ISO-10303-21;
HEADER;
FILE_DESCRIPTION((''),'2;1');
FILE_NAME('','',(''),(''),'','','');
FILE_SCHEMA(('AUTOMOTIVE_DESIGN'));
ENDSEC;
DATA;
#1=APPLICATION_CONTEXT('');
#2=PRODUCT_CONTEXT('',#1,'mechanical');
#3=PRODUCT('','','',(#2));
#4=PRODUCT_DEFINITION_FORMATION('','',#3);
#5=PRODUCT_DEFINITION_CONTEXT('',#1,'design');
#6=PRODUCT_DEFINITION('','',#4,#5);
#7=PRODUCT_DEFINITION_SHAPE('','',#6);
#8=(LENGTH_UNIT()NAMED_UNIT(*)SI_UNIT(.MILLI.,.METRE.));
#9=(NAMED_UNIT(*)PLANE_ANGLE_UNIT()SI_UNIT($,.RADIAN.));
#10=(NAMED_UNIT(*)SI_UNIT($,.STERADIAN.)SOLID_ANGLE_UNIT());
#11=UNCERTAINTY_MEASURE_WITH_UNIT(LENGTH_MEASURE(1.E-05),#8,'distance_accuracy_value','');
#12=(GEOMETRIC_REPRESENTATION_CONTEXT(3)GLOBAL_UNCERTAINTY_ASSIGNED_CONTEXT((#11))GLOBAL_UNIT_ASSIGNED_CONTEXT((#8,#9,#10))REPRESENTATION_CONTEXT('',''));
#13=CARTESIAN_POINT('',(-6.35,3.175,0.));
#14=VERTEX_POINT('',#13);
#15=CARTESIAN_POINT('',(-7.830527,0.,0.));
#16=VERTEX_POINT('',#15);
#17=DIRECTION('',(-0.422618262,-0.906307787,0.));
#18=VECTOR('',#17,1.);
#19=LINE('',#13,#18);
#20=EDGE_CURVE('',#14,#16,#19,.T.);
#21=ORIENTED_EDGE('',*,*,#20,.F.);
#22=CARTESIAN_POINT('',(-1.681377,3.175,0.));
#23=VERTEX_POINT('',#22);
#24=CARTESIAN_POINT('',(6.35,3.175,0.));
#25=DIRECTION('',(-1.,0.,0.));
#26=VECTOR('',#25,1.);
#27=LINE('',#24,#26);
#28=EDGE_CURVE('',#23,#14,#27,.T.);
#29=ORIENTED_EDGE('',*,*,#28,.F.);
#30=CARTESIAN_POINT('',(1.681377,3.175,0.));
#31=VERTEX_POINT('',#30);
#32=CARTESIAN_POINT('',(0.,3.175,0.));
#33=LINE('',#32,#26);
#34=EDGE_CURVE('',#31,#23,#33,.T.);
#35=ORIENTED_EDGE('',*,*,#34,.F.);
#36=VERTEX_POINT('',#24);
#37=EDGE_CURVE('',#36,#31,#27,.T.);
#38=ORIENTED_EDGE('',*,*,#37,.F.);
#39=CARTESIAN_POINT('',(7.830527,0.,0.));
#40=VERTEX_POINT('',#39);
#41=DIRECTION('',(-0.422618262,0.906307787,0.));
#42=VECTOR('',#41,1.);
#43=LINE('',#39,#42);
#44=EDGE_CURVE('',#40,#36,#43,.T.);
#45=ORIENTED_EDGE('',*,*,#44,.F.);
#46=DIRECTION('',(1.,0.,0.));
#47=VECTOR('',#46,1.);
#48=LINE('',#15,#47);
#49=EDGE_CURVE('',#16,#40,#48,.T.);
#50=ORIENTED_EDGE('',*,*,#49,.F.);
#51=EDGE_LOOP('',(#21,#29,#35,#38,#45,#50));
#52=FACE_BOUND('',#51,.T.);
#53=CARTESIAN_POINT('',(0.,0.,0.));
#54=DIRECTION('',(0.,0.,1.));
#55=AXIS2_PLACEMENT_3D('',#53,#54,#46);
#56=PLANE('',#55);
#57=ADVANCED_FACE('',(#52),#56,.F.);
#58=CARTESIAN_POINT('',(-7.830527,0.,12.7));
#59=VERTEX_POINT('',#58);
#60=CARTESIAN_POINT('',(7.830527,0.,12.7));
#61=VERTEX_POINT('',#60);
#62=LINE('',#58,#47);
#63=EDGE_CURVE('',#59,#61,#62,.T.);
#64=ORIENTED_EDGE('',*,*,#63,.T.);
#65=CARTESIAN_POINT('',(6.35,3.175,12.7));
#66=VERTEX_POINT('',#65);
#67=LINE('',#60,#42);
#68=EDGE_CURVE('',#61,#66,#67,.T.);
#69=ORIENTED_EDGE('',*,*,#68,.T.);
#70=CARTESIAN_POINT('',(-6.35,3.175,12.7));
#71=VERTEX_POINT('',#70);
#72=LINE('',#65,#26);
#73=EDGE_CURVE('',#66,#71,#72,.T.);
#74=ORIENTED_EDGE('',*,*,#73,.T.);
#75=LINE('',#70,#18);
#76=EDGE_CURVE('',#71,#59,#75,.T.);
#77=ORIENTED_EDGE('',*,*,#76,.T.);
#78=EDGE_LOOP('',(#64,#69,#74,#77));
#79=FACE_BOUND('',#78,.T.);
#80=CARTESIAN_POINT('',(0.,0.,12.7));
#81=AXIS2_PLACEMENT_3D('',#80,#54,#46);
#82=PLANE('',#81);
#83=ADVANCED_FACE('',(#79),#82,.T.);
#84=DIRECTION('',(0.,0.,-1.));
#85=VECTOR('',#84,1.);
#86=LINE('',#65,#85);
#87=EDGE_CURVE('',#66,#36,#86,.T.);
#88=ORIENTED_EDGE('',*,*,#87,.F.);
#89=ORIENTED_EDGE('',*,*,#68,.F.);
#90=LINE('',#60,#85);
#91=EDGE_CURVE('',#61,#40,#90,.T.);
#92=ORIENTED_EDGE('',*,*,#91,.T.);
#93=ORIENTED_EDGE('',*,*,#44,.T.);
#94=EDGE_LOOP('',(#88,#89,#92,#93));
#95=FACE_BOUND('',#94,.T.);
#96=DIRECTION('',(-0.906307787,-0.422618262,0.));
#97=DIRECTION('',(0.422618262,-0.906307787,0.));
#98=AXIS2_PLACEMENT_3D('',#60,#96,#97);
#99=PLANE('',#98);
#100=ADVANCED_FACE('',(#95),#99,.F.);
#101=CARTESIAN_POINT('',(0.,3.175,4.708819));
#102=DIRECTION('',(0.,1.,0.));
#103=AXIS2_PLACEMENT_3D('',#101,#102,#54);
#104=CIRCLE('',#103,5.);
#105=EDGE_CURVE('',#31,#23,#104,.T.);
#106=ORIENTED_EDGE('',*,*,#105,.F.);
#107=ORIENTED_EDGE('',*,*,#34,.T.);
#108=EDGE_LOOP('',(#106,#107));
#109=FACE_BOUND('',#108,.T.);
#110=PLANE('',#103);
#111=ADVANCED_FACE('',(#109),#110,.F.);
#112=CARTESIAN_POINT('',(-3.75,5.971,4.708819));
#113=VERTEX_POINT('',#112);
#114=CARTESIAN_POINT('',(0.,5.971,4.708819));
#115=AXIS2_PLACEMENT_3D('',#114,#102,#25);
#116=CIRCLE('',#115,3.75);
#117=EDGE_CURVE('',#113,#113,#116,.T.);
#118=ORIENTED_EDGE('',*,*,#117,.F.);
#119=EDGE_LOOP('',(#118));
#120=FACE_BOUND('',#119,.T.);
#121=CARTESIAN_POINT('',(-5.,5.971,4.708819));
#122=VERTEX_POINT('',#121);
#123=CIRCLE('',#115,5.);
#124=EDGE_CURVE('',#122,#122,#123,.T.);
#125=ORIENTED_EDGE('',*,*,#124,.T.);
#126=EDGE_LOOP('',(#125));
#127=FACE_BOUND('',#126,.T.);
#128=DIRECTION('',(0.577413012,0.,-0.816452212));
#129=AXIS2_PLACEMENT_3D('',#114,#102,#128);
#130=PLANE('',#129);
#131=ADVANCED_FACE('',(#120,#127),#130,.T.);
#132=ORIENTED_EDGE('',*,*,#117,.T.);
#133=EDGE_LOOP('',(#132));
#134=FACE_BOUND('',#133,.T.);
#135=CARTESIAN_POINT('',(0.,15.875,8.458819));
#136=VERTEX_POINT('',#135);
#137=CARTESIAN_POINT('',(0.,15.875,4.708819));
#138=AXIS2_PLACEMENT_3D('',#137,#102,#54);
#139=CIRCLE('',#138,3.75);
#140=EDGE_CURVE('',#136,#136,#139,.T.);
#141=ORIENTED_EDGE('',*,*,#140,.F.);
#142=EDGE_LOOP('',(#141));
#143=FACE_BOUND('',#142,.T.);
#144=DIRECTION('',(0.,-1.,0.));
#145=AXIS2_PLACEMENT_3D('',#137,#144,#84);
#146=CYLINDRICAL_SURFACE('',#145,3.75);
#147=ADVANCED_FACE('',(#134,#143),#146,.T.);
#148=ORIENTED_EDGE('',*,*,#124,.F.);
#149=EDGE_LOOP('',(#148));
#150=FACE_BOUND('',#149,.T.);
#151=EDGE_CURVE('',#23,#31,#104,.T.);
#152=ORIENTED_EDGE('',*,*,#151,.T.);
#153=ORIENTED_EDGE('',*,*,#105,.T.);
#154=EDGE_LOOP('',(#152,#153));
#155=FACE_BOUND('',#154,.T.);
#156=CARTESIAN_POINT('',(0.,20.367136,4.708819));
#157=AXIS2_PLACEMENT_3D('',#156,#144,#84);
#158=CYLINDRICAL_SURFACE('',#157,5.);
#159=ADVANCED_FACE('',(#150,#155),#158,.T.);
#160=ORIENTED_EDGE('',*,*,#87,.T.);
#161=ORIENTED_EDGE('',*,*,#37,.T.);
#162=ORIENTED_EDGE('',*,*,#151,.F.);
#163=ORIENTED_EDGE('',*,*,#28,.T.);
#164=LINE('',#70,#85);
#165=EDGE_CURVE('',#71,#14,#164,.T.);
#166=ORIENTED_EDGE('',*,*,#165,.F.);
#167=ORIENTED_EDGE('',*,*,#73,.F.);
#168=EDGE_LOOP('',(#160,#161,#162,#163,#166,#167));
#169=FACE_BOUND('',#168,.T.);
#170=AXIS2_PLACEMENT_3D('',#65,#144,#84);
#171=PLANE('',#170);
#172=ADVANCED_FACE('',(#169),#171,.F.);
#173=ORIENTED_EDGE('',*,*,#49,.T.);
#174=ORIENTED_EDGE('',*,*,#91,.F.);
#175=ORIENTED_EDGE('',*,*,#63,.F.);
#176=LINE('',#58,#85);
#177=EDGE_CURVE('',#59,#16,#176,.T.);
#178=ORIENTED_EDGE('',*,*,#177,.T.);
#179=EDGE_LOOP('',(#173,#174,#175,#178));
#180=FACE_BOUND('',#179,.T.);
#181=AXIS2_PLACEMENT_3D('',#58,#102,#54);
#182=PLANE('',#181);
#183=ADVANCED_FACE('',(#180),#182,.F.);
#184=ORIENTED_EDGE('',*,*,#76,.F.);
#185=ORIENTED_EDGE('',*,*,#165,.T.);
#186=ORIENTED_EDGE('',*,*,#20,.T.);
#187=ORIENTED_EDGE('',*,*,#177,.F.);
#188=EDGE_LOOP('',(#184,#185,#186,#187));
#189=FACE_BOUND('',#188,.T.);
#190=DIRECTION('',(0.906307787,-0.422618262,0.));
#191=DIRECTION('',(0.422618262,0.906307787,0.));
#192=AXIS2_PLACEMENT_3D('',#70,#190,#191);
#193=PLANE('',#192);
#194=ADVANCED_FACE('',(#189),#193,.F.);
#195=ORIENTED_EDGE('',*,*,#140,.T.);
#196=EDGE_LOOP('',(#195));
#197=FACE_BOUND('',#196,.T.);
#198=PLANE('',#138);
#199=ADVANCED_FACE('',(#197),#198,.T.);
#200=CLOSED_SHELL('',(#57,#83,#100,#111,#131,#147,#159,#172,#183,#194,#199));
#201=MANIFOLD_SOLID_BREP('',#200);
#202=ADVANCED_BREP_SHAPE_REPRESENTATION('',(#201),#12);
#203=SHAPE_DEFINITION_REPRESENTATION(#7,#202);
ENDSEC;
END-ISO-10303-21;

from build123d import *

# Parameters (mm, degrees)
BOSS_EXTRUDE1_DEPTH = 12.7
SKETCH2_R           = 3.75
BOSS_EXTRUDE2_DEPTH = 12.7
SKETCH3_R           = 5
BOSS_EXTRUDE3_DEPTH = 2.796


with BuildPart() as part:
    # Sketch1 → Boss-Extrude1 (new body)
    with BuildSketch(Plane.XY):
        Polygon((-7.830526815, 0), (7.830526815, 0), (6.35, 3.175), (-6.35, 3.175), align=None)
    extrude(amount=BOSS_EXTRUDE1_DEPTH)

    # Sketch2 → Boss-Extrude2 (add)
    with BuildSketch(Plane(origin=(0, 3.175, 0), x_dir=(1, 0, 0), z_dir=(0, 1, 0))):
        with Locations(Location((0, -4.708818534, 0), (0, 0, 270))):
            Circle(SKETCH2_R)
    extrude(amount=BOSS_EXTRUDE2_DEPTH)

    # Sketch3 → Boss-Extrude3 (add)
    with BuildSketch(Plane(origin=(0, 3.175, 0), x_dir=(1, 0, 0), z_dir=(0, 1, 0))):
        with Locations(Location((0, -4.708818534, 0), (0, 0, 109.650110836))):
            Circle(SKETCH3_R)
    extrude(amount=BOSS_EXTRUDE3_DEPTH)


solid = part.part
